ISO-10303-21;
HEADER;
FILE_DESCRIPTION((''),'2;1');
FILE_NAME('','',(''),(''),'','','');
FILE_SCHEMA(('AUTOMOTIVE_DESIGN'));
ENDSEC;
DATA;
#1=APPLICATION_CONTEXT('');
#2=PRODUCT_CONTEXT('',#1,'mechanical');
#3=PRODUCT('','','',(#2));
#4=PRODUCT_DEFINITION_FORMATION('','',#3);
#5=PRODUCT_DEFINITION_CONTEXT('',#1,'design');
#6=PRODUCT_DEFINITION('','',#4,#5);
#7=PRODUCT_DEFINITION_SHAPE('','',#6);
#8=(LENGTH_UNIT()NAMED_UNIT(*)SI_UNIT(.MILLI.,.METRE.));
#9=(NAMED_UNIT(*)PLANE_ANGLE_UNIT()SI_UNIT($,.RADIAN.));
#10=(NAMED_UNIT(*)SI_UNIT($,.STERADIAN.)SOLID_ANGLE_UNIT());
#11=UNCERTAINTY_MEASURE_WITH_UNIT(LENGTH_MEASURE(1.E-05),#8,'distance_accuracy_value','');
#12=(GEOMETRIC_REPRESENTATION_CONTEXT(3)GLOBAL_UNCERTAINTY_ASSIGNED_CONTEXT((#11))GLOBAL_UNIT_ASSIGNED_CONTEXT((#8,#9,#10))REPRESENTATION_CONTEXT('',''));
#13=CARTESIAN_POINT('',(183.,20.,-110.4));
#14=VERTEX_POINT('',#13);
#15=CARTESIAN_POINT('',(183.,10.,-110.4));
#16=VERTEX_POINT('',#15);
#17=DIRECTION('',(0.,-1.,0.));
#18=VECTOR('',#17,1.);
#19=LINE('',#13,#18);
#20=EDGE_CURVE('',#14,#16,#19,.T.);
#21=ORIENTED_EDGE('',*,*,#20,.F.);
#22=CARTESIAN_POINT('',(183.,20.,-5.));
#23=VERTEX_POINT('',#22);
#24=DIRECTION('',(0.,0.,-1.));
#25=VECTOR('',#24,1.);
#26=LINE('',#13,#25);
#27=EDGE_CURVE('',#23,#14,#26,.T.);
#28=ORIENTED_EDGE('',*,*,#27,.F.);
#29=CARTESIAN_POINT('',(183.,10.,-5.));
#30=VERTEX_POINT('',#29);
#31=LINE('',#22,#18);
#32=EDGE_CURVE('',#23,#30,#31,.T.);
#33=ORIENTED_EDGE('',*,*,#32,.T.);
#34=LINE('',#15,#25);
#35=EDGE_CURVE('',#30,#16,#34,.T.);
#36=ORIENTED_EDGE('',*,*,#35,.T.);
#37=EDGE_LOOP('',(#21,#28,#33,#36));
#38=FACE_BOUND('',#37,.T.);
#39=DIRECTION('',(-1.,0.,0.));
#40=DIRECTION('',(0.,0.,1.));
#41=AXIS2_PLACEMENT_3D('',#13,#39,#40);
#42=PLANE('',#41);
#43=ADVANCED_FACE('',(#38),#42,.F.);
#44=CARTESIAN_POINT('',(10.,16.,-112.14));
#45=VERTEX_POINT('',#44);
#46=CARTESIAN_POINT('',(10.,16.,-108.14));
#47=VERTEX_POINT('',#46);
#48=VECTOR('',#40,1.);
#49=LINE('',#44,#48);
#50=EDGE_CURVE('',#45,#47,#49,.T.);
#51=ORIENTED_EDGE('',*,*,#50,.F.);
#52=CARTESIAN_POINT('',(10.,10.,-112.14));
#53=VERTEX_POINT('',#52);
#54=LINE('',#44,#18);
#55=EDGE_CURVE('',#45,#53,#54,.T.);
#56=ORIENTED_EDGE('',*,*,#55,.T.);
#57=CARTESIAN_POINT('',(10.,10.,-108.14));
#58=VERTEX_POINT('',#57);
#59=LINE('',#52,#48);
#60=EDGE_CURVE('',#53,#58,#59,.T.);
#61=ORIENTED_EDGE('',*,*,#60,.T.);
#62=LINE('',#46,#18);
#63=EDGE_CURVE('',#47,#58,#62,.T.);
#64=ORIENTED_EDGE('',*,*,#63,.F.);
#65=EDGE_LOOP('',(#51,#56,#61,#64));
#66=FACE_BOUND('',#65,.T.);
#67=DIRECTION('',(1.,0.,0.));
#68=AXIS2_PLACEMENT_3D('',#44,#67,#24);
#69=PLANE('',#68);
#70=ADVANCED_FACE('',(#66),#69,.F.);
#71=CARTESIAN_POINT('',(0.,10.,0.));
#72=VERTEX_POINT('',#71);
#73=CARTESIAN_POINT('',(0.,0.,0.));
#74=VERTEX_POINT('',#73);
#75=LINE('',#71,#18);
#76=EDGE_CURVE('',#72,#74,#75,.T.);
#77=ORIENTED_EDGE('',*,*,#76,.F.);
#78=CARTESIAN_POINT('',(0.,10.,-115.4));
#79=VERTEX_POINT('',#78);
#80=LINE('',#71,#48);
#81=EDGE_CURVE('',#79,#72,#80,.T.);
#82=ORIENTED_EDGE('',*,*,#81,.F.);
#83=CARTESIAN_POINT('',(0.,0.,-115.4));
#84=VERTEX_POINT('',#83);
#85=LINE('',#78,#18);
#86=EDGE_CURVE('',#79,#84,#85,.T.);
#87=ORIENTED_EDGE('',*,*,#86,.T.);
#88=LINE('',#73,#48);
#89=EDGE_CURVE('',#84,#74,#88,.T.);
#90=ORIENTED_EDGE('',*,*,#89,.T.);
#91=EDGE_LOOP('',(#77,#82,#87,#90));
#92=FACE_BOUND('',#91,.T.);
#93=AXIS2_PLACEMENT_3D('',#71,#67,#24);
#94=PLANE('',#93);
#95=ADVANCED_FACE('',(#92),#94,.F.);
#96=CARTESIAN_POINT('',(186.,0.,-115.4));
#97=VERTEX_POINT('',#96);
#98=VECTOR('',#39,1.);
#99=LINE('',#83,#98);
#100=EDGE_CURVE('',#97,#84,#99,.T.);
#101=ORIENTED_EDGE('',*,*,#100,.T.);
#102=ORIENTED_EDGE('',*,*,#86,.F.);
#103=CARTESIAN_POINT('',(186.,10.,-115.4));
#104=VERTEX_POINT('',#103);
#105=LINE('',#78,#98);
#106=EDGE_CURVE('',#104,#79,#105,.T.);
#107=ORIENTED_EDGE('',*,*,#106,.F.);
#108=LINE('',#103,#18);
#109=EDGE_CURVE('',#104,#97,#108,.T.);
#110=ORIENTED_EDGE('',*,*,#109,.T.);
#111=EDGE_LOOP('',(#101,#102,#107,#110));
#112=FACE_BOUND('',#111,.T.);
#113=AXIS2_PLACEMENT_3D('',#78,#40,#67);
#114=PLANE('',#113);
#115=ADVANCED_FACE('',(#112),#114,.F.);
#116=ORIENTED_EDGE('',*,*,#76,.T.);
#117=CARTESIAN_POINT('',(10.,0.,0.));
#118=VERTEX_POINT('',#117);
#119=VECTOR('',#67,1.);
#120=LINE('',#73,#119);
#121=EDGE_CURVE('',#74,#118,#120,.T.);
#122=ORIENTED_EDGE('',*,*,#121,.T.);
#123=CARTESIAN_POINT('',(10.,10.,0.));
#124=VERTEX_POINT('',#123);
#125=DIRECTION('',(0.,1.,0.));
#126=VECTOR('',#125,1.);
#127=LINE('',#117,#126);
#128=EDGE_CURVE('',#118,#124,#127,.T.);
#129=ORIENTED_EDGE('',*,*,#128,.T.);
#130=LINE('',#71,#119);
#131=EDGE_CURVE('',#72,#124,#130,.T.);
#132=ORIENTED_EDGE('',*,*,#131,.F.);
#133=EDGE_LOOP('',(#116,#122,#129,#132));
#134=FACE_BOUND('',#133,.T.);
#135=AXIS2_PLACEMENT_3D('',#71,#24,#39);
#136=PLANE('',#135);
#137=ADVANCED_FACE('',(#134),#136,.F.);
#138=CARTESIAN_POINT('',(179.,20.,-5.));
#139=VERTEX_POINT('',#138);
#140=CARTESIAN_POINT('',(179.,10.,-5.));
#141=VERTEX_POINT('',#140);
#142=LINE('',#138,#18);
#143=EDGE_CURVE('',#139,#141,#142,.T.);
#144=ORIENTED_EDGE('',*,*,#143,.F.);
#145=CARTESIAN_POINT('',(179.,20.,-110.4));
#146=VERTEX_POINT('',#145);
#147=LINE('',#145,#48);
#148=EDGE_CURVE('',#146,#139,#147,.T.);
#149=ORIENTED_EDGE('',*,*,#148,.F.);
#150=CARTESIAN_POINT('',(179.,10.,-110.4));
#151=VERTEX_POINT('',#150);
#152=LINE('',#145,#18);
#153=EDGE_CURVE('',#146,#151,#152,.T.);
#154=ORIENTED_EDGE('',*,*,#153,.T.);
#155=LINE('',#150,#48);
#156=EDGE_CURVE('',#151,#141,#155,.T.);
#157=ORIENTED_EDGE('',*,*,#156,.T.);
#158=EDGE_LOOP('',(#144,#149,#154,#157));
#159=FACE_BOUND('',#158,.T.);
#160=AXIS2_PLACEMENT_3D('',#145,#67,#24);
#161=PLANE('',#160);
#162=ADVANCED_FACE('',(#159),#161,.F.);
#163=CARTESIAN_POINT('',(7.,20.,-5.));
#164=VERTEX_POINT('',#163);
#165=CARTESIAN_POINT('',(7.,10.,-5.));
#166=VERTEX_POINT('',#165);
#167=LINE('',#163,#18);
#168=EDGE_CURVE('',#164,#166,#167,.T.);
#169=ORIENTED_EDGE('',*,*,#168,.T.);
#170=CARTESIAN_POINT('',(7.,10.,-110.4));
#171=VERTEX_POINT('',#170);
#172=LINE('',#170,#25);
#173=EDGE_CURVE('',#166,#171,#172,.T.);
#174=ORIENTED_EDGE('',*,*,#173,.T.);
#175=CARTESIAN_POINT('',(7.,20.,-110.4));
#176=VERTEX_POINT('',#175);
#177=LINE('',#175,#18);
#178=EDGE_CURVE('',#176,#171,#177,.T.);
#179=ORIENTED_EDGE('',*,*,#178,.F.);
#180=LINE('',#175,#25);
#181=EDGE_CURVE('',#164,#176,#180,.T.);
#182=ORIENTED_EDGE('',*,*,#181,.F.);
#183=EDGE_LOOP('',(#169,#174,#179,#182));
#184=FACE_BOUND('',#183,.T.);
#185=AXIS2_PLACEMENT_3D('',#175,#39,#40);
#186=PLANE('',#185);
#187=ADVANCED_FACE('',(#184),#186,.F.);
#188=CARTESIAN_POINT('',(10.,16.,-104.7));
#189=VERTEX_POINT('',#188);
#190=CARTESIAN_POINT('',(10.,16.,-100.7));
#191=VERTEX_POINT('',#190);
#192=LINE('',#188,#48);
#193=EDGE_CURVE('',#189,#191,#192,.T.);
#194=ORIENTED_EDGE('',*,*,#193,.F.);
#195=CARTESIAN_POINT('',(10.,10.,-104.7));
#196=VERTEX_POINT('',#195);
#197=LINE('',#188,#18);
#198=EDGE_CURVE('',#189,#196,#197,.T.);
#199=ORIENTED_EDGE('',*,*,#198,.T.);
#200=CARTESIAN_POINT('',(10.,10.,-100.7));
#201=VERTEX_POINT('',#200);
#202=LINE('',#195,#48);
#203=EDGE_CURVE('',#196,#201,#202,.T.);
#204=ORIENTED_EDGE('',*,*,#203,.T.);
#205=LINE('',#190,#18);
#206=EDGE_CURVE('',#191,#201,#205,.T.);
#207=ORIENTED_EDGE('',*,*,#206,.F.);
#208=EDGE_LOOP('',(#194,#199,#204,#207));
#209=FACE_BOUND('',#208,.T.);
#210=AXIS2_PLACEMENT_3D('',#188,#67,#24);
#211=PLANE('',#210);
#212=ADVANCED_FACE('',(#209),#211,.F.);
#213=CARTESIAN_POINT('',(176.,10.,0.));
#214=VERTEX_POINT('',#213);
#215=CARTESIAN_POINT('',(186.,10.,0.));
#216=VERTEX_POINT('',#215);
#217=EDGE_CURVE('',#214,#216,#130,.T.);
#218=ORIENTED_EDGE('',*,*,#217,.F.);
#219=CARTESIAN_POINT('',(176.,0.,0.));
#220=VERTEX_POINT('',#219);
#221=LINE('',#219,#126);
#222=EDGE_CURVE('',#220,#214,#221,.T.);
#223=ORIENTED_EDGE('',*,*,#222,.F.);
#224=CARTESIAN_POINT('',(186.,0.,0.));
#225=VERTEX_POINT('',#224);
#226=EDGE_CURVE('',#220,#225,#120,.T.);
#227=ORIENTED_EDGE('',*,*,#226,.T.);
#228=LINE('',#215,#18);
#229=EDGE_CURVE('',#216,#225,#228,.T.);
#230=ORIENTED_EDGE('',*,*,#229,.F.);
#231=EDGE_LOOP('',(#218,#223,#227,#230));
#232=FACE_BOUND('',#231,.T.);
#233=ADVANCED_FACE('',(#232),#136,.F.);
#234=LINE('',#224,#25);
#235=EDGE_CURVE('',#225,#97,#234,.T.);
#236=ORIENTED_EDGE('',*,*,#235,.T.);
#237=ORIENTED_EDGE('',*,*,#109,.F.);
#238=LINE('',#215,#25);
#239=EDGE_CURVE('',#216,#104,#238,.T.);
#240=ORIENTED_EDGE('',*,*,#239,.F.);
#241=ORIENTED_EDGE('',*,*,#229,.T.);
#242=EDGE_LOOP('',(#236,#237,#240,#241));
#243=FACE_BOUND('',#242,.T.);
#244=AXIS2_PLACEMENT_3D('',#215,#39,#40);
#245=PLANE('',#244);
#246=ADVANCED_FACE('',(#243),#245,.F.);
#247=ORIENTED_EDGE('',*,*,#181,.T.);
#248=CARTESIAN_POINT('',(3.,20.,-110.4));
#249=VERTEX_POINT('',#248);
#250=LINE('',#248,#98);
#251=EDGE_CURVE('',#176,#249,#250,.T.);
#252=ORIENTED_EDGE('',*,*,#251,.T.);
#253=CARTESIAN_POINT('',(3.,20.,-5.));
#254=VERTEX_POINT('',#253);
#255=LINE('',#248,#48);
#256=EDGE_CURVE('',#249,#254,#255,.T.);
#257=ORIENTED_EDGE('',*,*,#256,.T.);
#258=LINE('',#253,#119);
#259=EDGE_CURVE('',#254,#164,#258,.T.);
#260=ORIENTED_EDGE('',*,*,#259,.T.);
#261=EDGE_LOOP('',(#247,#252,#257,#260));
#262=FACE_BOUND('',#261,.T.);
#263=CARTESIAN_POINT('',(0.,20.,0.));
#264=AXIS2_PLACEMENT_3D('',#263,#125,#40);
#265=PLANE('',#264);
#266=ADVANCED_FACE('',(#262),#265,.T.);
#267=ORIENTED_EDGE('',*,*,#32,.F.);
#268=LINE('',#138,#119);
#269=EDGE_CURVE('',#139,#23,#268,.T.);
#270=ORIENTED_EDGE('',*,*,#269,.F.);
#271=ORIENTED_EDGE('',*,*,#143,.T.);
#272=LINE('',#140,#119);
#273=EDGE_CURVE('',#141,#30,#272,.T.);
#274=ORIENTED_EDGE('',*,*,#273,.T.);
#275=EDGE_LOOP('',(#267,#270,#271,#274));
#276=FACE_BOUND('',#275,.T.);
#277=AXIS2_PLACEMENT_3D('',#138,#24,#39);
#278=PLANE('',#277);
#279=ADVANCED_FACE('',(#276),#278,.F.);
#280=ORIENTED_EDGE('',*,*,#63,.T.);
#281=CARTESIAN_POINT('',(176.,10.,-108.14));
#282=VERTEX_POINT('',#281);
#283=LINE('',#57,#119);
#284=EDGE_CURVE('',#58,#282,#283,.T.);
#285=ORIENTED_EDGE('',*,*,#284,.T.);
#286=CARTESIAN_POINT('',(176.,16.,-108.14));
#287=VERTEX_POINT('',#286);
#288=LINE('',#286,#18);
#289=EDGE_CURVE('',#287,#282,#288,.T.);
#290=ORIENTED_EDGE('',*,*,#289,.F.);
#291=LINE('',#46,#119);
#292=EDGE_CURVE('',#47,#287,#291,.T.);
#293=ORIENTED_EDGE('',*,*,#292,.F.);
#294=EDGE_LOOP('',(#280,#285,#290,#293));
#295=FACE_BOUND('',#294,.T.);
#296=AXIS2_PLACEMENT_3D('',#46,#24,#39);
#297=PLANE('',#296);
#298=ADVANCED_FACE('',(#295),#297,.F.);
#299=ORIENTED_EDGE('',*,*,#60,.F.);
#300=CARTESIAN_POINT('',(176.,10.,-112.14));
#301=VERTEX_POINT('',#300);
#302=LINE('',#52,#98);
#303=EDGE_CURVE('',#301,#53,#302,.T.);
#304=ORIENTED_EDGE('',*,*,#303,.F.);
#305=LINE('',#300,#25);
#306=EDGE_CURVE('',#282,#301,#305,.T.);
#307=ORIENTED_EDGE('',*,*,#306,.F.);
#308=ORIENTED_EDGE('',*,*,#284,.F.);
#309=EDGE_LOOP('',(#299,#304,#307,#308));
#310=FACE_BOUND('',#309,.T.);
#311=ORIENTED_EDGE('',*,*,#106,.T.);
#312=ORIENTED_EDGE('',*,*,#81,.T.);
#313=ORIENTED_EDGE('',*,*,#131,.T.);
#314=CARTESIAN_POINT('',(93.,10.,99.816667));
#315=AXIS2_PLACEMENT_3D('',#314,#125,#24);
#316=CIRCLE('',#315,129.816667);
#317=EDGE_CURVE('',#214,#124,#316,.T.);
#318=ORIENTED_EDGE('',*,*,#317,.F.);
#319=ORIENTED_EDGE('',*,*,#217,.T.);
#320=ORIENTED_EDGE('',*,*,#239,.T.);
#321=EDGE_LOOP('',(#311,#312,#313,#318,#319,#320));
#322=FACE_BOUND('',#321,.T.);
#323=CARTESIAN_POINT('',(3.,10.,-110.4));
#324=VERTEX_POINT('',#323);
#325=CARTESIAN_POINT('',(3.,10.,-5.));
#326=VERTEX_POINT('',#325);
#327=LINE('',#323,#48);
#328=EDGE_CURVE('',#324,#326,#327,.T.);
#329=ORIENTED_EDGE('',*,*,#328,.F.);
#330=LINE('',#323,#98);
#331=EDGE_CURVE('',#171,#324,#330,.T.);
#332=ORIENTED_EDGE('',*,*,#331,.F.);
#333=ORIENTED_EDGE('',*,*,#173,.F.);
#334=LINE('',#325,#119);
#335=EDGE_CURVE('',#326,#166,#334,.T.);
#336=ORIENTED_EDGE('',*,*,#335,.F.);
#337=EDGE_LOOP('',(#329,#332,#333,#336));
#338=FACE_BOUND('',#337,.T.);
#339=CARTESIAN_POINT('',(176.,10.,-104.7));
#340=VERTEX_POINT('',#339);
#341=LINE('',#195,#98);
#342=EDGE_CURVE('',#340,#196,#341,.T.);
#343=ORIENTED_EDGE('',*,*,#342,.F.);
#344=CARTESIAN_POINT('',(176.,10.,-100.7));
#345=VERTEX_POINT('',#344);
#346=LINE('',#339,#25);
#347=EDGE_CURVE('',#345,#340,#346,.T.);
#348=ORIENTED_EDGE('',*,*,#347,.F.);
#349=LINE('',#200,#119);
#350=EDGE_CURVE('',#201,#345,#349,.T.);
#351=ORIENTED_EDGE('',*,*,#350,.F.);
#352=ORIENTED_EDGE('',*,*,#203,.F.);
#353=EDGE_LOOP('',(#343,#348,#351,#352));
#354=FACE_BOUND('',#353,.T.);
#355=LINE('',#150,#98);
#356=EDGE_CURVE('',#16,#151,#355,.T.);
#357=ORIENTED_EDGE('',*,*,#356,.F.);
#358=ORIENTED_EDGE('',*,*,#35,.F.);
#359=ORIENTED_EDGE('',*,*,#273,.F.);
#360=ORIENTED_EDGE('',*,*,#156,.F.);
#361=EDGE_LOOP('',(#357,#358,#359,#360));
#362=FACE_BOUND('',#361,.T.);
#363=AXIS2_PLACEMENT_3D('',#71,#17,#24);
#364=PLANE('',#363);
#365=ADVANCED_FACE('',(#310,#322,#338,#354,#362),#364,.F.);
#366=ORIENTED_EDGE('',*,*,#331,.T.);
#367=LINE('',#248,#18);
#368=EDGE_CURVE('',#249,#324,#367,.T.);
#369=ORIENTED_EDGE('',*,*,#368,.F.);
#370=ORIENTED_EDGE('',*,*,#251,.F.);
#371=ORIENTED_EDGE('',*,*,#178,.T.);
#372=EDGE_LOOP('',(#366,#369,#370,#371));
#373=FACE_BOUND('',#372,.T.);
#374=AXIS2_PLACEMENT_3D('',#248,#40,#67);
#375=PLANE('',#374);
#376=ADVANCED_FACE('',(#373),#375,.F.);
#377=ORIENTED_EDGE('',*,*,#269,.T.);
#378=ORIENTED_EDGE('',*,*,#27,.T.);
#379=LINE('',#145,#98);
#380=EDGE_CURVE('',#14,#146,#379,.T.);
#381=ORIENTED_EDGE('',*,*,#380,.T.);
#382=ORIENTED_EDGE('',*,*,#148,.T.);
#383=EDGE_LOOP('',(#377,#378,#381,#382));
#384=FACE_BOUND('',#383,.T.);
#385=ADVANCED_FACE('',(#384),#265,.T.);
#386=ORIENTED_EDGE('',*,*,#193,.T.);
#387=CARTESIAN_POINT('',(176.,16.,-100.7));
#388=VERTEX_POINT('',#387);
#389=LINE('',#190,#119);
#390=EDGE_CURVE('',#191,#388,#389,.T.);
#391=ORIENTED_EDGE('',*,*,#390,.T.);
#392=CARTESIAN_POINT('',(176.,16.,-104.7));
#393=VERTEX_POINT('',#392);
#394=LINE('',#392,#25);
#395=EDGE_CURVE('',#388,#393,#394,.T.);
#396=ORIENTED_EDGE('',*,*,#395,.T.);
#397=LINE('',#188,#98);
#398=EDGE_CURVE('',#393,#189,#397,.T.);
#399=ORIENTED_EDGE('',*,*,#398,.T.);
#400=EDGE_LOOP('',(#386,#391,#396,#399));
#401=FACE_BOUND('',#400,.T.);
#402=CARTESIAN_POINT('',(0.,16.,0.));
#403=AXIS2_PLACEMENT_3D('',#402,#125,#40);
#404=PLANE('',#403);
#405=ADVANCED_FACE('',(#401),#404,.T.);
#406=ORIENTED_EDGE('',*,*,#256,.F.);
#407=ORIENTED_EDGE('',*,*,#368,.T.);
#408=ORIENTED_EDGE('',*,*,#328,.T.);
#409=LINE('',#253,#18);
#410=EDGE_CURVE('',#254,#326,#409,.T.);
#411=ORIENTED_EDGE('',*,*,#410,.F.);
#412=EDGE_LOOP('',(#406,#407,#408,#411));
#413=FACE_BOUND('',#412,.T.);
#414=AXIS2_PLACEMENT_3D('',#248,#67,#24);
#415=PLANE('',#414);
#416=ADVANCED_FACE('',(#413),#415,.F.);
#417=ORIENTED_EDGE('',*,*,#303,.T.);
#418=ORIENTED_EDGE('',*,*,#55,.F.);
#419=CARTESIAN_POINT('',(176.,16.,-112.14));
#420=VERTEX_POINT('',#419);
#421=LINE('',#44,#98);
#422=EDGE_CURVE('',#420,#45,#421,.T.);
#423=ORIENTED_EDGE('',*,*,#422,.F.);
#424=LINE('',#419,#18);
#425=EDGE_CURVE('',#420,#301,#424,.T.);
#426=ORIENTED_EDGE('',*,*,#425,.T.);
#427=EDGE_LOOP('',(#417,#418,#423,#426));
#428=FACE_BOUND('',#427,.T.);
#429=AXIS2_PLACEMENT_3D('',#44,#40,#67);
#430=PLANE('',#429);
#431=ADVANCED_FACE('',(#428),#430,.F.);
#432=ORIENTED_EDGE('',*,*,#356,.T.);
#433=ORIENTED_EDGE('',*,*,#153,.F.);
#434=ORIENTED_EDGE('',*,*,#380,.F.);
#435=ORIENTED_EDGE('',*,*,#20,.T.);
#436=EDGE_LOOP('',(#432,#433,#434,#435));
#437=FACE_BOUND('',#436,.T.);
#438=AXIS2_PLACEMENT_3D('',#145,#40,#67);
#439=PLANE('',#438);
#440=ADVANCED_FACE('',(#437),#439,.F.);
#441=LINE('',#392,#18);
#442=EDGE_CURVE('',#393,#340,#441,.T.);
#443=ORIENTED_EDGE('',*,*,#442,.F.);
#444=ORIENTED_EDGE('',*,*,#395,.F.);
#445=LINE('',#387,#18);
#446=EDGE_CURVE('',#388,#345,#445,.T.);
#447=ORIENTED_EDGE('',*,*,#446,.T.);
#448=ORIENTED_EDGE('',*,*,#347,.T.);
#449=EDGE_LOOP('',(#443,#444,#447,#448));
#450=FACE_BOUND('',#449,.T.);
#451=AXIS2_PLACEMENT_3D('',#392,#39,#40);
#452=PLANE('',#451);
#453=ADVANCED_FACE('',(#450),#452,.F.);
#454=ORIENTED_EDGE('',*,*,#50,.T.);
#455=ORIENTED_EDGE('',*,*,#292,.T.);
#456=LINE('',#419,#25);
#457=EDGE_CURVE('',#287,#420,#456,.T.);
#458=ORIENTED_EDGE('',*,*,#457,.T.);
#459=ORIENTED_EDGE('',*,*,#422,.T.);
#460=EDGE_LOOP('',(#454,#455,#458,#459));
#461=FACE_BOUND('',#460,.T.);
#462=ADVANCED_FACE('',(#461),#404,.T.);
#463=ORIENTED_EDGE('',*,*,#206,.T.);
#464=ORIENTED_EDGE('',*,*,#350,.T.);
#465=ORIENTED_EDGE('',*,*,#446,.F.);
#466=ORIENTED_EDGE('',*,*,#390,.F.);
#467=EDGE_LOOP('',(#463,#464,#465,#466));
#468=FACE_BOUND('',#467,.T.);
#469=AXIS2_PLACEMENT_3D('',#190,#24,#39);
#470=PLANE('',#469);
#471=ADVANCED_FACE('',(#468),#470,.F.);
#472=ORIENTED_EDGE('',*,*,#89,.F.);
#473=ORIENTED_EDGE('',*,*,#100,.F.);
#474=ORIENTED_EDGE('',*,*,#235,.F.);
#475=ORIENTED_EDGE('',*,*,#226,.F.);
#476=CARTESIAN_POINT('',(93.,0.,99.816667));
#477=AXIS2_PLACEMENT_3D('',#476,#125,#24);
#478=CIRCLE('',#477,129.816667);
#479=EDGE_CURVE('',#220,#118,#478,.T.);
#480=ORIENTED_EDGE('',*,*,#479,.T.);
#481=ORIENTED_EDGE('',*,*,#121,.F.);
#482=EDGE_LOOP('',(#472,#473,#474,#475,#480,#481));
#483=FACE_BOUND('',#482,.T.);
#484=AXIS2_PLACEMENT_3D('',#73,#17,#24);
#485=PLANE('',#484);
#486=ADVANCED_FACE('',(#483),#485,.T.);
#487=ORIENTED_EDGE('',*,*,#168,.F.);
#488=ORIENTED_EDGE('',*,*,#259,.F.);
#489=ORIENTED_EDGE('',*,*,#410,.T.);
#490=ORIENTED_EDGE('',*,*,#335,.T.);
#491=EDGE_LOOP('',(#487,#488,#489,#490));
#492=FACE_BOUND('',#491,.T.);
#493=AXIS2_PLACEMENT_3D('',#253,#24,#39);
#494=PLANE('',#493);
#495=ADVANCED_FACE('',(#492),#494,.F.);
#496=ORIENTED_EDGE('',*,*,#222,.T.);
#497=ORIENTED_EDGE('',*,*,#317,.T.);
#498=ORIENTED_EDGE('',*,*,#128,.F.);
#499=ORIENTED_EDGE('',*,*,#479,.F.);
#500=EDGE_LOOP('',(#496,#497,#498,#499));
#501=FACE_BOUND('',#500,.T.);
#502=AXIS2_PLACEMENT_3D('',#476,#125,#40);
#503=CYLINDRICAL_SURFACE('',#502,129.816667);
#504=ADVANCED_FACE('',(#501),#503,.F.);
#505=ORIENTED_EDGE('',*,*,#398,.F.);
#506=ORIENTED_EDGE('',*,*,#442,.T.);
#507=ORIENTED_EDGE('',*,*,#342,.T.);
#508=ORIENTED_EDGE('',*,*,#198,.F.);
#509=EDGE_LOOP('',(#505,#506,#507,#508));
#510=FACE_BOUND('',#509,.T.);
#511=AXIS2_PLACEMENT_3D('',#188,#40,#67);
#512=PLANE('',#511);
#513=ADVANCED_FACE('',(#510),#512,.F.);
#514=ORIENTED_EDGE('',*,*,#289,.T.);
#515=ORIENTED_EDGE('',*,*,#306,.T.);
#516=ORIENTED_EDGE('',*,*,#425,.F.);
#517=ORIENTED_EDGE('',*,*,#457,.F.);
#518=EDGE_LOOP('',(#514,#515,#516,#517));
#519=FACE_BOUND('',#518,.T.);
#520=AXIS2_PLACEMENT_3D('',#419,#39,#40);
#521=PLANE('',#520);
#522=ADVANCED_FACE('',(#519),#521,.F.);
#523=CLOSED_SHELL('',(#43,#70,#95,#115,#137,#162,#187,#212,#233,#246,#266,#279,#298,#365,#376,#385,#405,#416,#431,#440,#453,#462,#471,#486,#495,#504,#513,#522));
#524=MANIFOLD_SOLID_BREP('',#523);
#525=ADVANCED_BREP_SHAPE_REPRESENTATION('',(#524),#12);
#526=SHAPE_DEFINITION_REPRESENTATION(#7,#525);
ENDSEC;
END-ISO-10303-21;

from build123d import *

# Parameters (mm, degrees)
SKETCH1_W           = 186
SKETCH1_H           = 115.4
BOSS_EXTRUDE1_DEPTH = 10
CUT_EXTRUDE5_DEPTH  = 220.119054397
SKETCH4_W           = 166
SKETCH4_H           = 4
BOSS_EXTRUDE3_DEPTH = 6
SKETCH6_W           = 4
SKETCH6_H           = 105.4
BOSS_EXTRUDE4_DEPTH = 10
SKETCH7_W           = 4
SKETCH7_H           = 105.4
BOSS_EXTRUDE5_DEPTH = 10


with BuildPart() as part:
    # Sketch1 → Boss-Extrude1 (new body)
    with BuildSketch(Plane(origin=(0, 0, 0), x_dir=(1, 0, 0), z_dir=(0, 1, 0))):
        with Locations((93, 57.7)):
            Rectangle(SKETCH1_W, SKETCH1_H)
    extrude(amount=BOSS_EXTRUDE1_DEPTH)

    # Sketch5 → Cut-Extrude5 (cut, through all)
    with BuildSketch(Plane(origin=(0, 10, 0), x_dir=(1, 0, 0), z_dir=(0, 1, 0))):
        with BuildLine():
            Line((176, 0), (10, 0))
            ThreePointArc((10, 0), (93, 30), (176, 0))
        make_face()
    extrude(amount=-CUT_EXTRUDE5_DEPTH, mode=Mode.SUBTRACT)

    # Sketch4 → Boss-Extrude3 (add)
    with BuildSketch(Plane(origin=(0, 10, 0), x_dir=(1, 0, 0), z_dir=(0, 1, 0))):
        with Locations((93, 102.7)):
            Rectangle(SKETCH4_W, SKETCH4_H)
        with Locations((93, 110.14)):
            Rectangle(SKETCH4_W, SKETCH4_H)
    extrude(amount=BOSS_EXTRUDE3_DEPTH)

    # Sketch6 → Boss-Extrude4 (add)
    with BuildSketch(Plane(origin=(0, 10, 0), x_dir=(1, 0, 0), z_dir=(0, 1, 0))):
        with Locations((181, 57.7)):
            Rectangle(SKETCH6_W, SKETCH6_H)
    extrude(amount=BOSS_EXTRUDE4_DEPTH)

    # Sketch7 → Boss-Extrude5 (add)
    with BuildSketch(Plane(origin=(0, 10, 0), x_dir=(1, 0, 0), z_dir=(0, 1, 0))):
        with Locations((5, 57.7)):
            Rectangle(SKETCH7_W, SKETCH7_H)
    extrude(amount=BOSS_EXTRUDE5_DEPTH)


solid = part.part
